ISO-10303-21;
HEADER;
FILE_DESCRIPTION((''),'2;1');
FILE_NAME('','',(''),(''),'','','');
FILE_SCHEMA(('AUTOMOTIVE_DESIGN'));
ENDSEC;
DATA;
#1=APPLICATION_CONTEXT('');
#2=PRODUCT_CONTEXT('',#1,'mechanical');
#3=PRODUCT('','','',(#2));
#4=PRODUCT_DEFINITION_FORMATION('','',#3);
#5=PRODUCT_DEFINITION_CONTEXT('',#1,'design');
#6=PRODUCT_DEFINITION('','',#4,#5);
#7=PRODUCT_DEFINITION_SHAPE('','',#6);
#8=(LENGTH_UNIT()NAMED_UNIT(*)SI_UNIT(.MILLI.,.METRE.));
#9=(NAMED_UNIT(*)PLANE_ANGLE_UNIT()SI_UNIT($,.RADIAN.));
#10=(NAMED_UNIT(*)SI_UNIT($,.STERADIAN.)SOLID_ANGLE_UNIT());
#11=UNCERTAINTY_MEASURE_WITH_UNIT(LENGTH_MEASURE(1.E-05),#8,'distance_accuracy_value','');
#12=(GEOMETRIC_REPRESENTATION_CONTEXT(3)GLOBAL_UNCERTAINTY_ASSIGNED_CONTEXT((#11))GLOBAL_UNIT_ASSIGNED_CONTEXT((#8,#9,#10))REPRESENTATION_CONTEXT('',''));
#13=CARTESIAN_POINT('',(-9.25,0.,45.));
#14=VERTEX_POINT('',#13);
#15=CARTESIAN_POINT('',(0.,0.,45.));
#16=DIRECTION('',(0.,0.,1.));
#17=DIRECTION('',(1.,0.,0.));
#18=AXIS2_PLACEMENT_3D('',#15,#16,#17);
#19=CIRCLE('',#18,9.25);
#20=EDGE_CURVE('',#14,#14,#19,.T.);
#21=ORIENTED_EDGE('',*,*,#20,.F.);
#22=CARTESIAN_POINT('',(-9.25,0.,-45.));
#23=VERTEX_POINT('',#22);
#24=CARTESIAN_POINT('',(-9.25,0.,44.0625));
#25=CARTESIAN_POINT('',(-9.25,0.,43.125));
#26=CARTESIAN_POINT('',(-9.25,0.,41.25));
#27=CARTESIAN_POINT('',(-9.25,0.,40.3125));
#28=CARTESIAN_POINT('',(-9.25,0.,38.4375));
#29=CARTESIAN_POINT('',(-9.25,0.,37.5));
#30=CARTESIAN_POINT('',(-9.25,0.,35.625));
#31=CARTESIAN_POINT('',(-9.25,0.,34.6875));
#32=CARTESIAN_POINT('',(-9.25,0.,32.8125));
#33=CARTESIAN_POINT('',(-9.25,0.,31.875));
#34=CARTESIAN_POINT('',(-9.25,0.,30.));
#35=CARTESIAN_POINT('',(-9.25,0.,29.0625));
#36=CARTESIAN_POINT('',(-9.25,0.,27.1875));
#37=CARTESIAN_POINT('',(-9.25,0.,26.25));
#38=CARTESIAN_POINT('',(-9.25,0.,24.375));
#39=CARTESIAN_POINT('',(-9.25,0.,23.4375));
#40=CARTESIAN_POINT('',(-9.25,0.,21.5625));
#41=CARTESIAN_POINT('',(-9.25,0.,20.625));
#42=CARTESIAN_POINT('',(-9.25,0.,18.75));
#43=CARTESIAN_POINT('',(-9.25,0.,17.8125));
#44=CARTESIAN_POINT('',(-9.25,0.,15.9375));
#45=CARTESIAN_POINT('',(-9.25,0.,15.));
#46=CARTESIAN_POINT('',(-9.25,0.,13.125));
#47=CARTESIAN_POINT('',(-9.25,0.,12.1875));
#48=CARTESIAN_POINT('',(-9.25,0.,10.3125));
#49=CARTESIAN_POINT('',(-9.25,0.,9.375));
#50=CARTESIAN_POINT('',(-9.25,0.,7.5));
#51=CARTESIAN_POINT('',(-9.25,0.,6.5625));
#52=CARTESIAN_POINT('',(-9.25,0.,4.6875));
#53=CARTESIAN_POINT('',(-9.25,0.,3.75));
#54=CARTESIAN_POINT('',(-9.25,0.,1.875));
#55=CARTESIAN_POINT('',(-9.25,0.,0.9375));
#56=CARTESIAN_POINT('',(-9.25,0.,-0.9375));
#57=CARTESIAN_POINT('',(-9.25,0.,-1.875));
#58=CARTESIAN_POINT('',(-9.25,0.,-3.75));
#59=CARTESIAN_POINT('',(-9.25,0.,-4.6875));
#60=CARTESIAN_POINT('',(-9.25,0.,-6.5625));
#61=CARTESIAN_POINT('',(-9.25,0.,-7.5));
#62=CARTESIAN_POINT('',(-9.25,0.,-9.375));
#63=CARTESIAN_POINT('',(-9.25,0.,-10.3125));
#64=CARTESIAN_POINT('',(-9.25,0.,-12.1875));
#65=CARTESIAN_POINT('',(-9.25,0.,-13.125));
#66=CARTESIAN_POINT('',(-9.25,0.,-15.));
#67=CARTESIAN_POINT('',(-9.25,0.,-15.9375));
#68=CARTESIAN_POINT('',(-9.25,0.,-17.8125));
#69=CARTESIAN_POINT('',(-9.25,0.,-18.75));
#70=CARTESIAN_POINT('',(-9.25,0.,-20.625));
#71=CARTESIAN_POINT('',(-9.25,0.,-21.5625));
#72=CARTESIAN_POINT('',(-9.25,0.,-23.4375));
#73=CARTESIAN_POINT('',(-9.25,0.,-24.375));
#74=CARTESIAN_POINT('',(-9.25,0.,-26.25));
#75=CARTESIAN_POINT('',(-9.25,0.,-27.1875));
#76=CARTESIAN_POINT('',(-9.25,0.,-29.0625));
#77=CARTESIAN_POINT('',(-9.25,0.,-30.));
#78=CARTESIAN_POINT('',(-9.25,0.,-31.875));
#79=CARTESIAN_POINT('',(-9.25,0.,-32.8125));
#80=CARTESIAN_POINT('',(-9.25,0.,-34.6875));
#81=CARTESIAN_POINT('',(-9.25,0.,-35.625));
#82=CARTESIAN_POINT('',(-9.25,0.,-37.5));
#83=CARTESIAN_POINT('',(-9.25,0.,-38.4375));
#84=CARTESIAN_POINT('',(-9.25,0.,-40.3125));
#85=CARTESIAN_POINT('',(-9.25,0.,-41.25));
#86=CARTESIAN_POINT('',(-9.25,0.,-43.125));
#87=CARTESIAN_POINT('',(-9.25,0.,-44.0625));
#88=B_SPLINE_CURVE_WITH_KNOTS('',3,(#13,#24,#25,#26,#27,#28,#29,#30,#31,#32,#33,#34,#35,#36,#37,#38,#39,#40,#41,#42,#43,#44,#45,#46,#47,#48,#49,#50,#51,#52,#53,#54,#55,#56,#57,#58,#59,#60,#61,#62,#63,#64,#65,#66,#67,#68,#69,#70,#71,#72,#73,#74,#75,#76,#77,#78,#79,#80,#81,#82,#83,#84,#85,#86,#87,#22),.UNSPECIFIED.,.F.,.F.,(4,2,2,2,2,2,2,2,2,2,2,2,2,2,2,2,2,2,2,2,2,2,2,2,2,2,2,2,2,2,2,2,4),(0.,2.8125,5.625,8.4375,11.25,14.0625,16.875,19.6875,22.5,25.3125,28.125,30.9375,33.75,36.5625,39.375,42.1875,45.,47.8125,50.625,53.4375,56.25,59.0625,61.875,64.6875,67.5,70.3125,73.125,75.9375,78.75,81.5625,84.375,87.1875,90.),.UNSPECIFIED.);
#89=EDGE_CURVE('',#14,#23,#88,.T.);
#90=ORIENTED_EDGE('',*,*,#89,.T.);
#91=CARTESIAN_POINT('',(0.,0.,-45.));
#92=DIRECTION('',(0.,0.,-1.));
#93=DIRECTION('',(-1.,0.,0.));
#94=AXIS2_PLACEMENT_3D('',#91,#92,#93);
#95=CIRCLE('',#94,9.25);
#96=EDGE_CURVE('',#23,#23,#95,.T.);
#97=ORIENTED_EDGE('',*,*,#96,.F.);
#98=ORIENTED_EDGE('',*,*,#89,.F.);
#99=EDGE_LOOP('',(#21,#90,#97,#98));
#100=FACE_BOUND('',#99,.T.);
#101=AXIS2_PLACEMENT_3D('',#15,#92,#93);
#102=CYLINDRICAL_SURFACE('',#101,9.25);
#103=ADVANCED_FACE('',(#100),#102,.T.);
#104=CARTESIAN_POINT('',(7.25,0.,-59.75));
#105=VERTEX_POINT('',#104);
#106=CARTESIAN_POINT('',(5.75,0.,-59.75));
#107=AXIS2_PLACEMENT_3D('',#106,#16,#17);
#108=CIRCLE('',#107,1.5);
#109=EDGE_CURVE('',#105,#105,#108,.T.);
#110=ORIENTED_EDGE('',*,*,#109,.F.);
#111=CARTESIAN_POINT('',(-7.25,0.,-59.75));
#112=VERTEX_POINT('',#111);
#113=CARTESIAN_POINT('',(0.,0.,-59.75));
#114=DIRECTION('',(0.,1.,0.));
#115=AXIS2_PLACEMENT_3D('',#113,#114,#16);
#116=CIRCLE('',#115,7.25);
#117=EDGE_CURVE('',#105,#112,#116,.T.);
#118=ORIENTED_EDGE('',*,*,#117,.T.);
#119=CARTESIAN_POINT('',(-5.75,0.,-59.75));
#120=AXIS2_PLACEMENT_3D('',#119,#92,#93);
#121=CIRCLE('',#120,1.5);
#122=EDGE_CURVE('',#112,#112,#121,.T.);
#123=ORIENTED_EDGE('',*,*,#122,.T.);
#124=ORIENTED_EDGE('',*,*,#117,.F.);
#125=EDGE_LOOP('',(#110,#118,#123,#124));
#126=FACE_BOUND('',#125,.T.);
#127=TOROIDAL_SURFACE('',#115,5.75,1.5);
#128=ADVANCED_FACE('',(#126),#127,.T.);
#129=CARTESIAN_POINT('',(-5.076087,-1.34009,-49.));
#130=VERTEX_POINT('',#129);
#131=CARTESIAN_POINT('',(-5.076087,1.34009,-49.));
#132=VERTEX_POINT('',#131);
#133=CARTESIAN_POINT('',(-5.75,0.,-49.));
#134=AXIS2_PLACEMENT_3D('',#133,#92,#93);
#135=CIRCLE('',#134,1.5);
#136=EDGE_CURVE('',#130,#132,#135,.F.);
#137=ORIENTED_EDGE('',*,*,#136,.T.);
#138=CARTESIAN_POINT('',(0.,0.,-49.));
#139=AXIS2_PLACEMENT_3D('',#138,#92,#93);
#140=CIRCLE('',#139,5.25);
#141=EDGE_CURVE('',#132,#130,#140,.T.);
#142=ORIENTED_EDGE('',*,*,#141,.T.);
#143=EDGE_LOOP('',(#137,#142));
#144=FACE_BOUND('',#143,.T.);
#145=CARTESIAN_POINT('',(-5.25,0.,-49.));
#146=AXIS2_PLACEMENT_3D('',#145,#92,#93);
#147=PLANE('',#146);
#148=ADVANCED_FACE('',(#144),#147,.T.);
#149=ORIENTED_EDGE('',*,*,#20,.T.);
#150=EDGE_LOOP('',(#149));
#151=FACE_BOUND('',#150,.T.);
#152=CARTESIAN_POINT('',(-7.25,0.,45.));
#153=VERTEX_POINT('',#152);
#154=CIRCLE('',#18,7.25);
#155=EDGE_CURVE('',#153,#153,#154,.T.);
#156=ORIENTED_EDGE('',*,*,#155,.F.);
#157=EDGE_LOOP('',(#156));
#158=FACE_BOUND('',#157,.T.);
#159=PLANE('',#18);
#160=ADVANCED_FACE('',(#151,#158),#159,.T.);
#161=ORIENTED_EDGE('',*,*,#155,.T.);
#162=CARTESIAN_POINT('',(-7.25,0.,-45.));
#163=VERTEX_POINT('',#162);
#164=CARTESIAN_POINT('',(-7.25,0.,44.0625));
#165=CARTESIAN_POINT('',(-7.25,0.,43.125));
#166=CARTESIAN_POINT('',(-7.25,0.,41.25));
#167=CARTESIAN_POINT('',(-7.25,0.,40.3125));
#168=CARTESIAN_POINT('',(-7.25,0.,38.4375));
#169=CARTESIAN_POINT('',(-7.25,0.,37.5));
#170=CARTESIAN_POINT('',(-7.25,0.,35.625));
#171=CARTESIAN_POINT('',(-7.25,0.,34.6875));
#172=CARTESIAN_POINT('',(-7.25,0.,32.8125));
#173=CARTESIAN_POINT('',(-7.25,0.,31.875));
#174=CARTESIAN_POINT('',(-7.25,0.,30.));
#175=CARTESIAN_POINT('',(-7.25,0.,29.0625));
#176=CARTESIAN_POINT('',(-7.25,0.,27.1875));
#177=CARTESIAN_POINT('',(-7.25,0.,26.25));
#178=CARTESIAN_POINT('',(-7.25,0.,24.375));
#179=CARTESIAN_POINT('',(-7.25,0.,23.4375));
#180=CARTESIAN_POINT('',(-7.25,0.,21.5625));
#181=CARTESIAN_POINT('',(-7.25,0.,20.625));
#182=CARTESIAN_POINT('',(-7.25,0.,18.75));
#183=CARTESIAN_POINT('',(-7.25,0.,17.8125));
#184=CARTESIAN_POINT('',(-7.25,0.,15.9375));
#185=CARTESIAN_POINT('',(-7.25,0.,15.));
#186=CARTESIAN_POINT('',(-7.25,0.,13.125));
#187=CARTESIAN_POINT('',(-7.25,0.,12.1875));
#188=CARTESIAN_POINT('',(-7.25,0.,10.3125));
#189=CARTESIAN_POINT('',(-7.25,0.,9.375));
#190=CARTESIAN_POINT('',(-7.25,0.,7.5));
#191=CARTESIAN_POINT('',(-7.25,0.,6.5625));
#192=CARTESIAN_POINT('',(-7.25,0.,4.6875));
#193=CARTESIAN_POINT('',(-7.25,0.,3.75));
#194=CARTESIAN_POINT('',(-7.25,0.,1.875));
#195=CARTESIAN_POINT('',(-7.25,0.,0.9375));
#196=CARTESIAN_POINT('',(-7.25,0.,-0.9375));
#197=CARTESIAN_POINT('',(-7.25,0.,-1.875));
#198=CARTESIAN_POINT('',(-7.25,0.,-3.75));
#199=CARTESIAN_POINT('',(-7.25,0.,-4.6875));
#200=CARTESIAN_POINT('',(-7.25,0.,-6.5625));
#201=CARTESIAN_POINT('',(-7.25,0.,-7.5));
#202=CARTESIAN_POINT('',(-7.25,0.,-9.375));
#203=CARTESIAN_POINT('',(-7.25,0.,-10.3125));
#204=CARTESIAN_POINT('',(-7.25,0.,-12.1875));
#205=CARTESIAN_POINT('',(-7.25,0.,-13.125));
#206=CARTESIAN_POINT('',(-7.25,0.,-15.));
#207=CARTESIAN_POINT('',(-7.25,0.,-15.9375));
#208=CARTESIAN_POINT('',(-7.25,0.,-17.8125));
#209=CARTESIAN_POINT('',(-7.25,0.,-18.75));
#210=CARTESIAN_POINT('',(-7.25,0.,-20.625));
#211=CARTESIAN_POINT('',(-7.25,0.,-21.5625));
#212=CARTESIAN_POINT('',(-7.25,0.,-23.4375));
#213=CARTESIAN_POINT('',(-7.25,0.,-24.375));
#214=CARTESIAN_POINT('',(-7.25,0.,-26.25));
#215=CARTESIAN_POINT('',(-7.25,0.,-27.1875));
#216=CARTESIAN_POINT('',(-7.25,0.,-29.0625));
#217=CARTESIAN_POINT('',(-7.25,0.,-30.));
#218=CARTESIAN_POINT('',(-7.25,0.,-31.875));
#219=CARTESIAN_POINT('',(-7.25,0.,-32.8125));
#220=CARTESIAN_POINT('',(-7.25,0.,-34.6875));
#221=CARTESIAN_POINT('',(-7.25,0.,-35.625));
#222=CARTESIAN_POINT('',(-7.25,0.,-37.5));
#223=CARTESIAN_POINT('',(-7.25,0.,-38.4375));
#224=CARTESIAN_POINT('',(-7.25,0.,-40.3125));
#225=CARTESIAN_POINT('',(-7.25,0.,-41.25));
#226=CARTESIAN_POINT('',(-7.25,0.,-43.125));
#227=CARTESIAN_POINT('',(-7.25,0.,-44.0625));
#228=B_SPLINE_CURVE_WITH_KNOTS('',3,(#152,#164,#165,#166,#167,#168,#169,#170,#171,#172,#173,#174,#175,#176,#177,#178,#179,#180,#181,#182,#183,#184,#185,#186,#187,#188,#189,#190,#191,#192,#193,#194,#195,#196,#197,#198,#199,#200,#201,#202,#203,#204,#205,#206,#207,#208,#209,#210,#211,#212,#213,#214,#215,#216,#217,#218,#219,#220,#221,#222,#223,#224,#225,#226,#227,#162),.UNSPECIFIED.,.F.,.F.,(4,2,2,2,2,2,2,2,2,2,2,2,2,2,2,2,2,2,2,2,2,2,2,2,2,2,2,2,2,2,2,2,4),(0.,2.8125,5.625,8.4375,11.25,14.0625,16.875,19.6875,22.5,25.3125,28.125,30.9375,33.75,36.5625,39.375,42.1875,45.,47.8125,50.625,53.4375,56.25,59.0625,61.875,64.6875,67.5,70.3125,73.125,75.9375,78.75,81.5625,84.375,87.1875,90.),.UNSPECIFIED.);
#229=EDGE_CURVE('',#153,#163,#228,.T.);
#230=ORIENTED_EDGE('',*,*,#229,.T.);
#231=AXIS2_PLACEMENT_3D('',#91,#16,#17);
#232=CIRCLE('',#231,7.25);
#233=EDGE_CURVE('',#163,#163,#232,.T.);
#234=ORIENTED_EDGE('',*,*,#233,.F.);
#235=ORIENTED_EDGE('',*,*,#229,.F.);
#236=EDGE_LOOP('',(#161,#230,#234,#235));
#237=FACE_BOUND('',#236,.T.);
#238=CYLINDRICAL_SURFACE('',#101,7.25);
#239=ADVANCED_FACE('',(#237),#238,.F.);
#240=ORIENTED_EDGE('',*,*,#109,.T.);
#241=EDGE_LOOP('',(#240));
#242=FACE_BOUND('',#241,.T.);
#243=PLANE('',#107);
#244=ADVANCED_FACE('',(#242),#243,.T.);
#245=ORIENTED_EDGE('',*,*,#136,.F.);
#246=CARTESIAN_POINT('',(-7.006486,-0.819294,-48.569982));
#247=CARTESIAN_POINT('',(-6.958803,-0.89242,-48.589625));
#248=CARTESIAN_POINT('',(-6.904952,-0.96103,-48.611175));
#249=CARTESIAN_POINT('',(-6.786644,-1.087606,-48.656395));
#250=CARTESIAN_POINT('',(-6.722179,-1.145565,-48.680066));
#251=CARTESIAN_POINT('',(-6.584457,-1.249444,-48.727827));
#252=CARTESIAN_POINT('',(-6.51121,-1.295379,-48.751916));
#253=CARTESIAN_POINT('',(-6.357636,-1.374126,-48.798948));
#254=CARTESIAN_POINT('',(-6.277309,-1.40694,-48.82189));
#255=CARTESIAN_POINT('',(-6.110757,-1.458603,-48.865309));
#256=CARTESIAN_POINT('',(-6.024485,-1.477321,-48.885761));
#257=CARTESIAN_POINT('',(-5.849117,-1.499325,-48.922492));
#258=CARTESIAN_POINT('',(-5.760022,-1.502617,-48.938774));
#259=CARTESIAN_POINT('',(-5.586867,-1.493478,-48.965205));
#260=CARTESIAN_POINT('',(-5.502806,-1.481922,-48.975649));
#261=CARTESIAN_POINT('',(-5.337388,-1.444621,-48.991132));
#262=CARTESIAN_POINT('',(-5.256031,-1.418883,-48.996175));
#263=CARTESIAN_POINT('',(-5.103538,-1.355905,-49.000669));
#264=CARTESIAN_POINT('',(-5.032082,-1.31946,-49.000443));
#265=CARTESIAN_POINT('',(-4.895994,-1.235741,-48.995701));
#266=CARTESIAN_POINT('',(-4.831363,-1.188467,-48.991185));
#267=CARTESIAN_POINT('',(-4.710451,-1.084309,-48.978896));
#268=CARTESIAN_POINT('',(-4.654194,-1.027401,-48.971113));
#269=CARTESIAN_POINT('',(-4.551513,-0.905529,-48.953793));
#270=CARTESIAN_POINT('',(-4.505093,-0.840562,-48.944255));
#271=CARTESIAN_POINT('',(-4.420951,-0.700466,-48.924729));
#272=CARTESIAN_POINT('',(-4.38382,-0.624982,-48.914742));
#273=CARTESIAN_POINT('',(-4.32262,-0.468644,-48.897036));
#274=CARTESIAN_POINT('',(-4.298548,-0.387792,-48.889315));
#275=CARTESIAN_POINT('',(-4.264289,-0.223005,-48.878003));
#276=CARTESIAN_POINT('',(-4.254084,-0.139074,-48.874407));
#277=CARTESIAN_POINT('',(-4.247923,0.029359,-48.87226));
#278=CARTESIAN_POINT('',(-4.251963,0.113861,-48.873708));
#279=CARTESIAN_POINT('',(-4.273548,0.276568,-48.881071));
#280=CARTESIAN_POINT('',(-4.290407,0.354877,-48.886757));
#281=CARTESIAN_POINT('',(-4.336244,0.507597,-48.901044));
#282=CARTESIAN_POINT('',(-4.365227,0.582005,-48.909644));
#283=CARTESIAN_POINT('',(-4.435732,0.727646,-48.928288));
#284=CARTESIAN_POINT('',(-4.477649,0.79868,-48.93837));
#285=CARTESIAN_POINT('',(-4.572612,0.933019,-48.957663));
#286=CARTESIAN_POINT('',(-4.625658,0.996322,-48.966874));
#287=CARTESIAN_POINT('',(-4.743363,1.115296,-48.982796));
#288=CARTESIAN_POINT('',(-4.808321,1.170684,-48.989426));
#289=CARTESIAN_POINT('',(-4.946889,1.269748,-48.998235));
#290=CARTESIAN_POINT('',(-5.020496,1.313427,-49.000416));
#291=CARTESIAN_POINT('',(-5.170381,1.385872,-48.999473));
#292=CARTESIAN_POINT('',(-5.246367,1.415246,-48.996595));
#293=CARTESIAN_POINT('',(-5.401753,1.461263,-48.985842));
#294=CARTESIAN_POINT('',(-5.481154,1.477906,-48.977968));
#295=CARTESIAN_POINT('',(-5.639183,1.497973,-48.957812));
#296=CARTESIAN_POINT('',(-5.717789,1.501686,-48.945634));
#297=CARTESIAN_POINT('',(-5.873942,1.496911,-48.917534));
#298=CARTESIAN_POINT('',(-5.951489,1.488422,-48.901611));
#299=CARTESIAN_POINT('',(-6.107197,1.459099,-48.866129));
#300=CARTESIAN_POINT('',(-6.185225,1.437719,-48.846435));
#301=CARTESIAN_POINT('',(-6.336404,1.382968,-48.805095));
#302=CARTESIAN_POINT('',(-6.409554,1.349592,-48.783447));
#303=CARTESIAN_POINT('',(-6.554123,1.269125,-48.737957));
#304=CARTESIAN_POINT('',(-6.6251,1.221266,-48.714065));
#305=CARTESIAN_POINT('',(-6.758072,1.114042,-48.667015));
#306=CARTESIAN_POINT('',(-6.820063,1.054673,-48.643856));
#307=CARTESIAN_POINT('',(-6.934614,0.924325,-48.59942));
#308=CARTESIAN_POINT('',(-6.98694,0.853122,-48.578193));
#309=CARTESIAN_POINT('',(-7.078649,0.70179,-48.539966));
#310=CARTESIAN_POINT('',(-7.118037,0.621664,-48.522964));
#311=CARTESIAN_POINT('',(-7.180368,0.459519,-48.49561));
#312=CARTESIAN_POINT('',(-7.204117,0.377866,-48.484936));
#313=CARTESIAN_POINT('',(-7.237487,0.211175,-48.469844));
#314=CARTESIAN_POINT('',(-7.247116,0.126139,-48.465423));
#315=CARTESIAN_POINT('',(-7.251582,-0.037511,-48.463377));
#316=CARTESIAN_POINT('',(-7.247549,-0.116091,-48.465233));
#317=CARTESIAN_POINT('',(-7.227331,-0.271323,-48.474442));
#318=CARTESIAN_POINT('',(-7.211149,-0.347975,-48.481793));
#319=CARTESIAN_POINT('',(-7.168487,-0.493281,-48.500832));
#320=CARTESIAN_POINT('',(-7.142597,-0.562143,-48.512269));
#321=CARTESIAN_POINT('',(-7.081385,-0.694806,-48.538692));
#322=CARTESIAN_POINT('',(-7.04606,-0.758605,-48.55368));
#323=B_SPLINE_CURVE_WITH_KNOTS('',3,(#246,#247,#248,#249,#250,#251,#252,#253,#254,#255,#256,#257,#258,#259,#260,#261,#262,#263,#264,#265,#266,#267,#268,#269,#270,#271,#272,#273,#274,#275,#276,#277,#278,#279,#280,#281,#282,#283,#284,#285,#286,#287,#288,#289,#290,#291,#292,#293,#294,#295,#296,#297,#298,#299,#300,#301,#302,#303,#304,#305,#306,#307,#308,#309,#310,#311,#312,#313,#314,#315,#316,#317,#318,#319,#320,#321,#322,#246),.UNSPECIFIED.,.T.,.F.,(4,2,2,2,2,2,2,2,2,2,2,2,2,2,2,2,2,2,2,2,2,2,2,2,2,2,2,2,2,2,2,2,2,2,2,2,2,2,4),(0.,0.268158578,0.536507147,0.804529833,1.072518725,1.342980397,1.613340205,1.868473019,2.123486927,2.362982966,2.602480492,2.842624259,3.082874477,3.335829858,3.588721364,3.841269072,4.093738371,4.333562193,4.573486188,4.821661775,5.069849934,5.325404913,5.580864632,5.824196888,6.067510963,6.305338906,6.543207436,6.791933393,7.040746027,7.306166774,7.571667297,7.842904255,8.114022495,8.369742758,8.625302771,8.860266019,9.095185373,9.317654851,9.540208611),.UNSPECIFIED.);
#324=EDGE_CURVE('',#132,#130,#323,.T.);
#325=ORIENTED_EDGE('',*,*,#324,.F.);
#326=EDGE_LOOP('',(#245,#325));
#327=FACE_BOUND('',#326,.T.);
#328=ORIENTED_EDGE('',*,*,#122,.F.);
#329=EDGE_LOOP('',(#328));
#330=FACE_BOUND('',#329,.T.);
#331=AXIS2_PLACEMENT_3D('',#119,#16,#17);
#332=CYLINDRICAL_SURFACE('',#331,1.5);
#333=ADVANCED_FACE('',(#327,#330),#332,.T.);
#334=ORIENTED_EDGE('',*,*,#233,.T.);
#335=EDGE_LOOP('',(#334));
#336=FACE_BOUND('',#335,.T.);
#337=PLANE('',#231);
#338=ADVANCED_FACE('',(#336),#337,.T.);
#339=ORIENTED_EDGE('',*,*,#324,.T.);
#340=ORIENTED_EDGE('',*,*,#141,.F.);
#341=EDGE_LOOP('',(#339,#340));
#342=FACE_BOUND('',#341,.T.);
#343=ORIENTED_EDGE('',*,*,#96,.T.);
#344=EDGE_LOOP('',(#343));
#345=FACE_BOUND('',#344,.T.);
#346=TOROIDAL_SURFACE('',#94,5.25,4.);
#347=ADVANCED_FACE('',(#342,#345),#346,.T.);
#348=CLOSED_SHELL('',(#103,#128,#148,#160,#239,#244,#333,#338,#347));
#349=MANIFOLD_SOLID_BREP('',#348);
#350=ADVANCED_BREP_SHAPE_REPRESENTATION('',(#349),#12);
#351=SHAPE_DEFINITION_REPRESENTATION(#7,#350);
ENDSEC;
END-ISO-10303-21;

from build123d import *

# Parameters (mm, degrees)
ESQUISSE2_R        = 9.25
ESQUISSE2_R_2      = 7.25
BOSS_EXTRU_1_DEPTH = 45
ESQUISSE5_R        = 1.5


with BuildPart() as part:
    # Esquisse2 → Boss.-Extru.1 (new, symmetric)
    with BuildSketch(Plane.XY):
        with Locations(Location((0, 0, 0), (0, 0, 180))):
            Circle(ESQUISSE2_R)
        with Locations(Location((0, 0, 0), (0, 0, 180))):
            Circle(ESQUISSE2_R_2, mode=Mode.SUBTRACT)
    extrude(amount=BOSS_EXTRU_1_DEPTH, both=True)

    # Esquisse3 → Révolution1 (revolve)
    with BuildSketch(Plane(origin=(0, 0, 0), x_dir=(1, 0, 0), z_dir=(0, 1, 0))):
        with BuildLine():
            Line((-5.25, 49), (0, 49))
            Line((0, 49), (0, 45))
            Line((0, 45), (-9.25, 45))
            ThreePointArc((-9.25, 45), (-8.078427125, 47.828427125), (-5.25, 49))
        make_face()
    revolve(axis=Axis((0, 0, -49), (0, 0, 1)))

    # Balayage3: sweep along a path in Esquisse6
    with BuildLine(Plane(origin=(0, 0, 0), x_dir=(1, 0, 0), z_dir=(0, 1, 0))) as balayage3_path:
        Line((-4.25, 45), (-4.25, 59.75))
        ThreePointArc((-4.25, 59.75), (0, 64), (4.25, 59.75))
    # Esquisse5 → Balayage3 (sweep)
    with BuildSketch(Plane(origin=(0, 0, 0), x_dir=(0, 0, -1), z_dir=(1, 0, 0))):
        with Locations((65.5, 0)):
            Circle(ESQUISSE5_R)
    sweep(path=balayage3_path.line)


solid = part.part
